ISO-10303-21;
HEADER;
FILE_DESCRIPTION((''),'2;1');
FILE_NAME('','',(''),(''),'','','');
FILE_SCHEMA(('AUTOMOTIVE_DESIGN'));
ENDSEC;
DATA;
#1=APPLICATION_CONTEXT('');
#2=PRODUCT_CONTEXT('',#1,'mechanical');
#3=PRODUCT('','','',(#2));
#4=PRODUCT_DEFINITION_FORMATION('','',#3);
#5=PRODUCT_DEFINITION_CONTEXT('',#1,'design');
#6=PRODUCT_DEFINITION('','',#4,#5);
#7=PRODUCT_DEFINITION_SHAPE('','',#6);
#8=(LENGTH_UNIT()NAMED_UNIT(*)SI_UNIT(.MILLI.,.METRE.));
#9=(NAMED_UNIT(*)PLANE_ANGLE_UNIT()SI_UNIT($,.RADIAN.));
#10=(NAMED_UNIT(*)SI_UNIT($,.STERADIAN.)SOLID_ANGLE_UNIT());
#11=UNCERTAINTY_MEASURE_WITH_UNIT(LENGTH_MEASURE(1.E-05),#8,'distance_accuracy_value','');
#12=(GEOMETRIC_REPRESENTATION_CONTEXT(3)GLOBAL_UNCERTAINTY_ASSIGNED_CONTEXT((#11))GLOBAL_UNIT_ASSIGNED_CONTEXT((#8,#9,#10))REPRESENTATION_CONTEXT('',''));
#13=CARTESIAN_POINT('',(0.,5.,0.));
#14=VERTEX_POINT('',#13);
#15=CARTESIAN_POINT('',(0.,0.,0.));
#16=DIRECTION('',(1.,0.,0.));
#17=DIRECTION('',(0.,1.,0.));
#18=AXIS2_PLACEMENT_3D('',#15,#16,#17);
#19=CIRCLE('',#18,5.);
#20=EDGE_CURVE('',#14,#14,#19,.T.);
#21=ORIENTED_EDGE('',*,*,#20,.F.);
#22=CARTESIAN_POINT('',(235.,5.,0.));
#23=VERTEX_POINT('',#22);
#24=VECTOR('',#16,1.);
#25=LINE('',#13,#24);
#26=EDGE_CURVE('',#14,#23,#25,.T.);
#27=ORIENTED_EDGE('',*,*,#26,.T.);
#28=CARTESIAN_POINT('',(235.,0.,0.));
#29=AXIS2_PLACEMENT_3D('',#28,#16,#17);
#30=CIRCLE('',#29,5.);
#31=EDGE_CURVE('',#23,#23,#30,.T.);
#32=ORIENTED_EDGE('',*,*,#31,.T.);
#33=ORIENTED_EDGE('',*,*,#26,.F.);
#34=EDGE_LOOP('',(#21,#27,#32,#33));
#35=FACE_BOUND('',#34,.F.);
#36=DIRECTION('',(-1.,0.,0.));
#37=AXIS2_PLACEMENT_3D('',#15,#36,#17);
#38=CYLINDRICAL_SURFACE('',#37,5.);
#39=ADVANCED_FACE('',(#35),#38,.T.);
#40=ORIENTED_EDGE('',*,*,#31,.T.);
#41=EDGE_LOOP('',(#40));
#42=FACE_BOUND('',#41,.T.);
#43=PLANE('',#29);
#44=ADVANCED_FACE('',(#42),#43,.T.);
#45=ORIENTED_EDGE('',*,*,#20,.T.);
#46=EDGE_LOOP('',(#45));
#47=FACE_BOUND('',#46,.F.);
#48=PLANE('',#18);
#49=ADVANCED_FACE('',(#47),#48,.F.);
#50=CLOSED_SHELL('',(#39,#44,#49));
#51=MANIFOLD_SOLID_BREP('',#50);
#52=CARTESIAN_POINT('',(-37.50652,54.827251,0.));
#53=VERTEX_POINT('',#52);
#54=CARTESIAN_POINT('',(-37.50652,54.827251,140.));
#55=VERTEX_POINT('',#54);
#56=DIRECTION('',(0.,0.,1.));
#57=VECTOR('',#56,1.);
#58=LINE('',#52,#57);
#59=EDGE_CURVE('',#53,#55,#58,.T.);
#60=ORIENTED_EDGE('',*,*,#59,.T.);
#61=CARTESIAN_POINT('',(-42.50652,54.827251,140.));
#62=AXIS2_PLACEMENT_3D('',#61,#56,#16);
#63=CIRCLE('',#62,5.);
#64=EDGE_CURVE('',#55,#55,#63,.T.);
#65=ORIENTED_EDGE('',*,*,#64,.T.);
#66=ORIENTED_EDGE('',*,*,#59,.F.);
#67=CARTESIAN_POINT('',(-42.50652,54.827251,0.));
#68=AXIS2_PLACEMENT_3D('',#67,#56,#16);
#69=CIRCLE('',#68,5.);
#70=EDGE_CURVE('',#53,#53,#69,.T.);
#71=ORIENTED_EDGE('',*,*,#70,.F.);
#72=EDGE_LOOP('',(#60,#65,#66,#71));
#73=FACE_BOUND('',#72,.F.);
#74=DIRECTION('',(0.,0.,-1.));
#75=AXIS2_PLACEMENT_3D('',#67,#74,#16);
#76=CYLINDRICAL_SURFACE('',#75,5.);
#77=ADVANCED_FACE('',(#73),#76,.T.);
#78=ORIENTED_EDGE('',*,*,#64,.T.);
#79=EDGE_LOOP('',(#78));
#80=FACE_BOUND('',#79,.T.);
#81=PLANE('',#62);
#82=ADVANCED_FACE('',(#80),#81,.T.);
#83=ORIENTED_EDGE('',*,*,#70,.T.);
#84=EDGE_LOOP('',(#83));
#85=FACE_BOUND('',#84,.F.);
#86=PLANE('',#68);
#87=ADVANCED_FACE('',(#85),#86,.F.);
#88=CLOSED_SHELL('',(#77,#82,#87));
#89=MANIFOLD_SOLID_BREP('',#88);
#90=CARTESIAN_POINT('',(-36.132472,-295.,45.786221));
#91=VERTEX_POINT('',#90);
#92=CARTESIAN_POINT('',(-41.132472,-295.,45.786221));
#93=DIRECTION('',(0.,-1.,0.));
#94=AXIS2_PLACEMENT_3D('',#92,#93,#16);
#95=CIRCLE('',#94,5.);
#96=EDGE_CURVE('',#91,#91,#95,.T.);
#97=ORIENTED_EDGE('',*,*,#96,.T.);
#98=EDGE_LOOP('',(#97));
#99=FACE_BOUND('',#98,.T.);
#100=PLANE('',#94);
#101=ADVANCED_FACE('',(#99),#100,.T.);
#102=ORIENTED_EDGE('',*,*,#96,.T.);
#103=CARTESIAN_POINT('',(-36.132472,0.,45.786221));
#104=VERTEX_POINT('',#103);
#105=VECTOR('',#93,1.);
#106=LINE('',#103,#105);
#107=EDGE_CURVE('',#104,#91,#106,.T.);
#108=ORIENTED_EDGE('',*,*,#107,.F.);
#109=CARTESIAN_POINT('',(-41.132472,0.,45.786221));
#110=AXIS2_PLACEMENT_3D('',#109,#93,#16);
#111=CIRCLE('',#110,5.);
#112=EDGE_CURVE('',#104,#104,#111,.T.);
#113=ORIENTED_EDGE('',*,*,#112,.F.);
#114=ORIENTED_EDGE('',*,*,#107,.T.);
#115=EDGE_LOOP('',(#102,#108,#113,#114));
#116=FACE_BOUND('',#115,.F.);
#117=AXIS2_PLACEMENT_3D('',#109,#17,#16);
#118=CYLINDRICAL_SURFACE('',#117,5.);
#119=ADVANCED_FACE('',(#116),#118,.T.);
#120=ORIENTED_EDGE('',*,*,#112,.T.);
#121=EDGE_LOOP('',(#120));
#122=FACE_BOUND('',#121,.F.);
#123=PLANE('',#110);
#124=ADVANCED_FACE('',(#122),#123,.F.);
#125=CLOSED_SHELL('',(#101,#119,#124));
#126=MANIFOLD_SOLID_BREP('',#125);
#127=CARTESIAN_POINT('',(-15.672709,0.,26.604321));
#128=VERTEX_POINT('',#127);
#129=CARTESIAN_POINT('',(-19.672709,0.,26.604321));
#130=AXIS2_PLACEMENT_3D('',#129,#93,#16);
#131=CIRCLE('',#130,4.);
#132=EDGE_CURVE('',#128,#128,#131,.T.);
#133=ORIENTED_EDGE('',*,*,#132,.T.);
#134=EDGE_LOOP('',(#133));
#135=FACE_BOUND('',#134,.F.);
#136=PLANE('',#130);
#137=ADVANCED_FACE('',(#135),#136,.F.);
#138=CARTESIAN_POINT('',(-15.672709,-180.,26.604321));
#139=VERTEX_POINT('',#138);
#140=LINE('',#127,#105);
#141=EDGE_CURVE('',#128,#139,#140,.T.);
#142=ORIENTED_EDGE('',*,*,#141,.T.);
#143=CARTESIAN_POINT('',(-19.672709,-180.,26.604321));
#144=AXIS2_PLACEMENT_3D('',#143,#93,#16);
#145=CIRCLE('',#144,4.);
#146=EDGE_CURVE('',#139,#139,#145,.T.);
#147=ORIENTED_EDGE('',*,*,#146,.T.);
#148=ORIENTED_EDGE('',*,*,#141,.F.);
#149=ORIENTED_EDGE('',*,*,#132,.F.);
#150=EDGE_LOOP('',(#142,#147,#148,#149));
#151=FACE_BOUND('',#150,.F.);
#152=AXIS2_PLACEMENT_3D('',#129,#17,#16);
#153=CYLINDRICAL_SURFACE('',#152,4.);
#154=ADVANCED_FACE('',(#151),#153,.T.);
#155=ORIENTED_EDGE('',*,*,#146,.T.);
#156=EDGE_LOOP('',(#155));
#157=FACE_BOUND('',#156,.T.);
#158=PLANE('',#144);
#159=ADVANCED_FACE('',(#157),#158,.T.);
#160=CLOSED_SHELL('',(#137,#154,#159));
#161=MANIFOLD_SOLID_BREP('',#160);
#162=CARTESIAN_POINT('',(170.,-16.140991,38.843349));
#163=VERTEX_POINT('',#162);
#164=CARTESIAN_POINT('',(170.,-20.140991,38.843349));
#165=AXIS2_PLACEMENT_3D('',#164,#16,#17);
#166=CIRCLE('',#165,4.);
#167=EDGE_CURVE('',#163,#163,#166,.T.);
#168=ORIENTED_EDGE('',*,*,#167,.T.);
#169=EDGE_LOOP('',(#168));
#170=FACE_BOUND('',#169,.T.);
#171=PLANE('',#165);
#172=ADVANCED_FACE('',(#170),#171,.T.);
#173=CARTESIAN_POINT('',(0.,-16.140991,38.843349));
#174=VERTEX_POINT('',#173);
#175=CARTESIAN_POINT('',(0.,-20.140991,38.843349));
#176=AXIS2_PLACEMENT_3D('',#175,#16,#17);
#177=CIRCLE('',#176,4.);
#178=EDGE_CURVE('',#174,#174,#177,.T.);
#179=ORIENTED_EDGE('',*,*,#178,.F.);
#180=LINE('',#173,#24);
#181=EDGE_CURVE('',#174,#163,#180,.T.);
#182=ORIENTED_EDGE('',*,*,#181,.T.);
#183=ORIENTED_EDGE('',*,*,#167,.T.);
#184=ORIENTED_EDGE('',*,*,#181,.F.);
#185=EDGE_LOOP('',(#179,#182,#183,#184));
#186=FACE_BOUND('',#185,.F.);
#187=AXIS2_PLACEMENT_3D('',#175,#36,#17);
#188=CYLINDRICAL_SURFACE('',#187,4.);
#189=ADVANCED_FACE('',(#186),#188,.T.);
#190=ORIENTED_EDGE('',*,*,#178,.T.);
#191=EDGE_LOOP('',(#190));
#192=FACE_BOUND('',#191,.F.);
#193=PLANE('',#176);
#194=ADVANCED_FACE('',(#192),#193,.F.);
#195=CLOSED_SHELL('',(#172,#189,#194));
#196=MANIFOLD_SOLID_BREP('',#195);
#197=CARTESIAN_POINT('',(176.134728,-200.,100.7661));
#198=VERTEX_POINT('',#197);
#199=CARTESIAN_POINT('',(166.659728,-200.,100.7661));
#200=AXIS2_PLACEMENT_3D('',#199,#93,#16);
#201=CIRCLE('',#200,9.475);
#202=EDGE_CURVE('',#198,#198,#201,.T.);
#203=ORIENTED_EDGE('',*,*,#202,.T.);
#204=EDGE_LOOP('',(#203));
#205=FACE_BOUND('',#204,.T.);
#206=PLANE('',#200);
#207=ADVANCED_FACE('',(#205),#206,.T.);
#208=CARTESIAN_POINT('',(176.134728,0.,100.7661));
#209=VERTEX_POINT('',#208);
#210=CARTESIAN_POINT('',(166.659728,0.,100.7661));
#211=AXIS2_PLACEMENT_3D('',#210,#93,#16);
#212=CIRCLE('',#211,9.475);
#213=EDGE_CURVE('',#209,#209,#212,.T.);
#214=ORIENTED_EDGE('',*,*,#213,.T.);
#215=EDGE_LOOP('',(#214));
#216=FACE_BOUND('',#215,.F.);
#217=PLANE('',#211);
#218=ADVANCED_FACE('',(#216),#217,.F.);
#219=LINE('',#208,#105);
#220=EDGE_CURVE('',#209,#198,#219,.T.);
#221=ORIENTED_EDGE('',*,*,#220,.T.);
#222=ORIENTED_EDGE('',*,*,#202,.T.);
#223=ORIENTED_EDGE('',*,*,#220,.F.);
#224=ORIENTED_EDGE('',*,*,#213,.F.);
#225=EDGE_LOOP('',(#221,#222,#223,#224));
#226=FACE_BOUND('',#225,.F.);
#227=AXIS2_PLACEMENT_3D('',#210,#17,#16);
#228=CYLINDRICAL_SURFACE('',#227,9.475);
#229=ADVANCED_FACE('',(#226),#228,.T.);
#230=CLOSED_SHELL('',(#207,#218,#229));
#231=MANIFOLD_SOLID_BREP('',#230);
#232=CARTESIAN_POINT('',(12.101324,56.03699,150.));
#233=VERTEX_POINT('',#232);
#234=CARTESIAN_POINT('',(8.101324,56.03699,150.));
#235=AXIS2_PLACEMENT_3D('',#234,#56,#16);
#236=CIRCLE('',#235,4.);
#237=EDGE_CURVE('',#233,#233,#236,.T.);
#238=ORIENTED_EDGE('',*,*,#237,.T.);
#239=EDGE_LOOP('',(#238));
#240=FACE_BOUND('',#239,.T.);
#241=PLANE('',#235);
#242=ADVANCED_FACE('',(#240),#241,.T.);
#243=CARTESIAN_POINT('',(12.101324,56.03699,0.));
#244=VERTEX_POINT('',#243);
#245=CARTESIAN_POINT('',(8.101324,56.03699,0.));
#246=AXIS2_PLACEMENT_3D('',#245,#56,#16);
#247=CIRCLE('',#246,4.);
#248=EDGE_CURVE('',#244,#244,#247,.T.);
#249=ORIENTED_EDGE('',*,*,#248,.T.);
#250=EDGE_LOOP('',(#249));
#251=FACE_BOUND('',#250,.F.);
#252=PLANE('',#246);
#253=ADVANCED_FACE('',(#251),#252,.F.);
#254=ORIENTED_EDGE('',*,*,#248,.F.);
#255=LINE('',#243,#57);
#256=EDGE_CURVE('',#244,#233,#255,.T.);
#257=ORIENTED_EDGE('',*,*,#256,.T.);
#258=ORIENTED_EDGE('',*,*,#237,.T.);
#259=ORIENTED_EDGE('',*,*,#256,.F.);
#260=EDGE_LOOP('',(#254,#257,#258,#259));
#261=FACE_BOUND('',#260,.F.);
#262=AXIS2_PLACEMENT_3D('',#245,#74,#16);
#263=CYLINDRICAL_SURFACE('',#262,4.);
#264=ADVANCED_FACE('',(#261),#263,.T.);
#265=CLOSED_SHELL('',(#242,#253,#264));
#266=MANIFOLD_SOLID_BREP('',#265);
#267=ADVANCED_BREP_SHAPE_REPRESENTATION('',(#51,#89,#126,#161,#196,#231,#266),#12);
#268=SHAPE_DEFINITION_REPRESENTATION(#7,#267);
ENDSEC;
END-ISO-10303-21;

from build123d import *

# Parameters (mm, degrees)
F0_R      = 5
F1_DEPTH  = 235
F2_R      = 5
F3_DEPTH  = 295
F4_R      = 5
F5_DEPTH  = 140
F7_R      = 9.475
F8_DEPTH  = 200
F0_R_2    = 4
F10_DEPTH = 170
F2_R_2    = 4
F11_DEPTH = 180
F4_R_2    = 4
F12_DEPTH = 150


with BuildPart() as f1:
    # F0 (on Right) → F1 (new body)
    with BuildSketch(Plane.YZ):
        Circle(F0_R)
    extrude(amount=F1_DEPTH)


with BuildPart() as f3:
    # F2 (on Front) → F3 (new body)
    with BuildSketch(Plane.XZ):
        with Locations((-41.132472, 45.786221)):
            Circle(F2_R)
    extrude(amount=F3_DEPTH)


with BuildPart() as f5:
    # F4 (on Top) → F5 (new body)
    with BuildSketch(Plane.XY):
        with Locations((-42.50652, 54.827251)):
            Circle(F4_R)
    extrude(amount=F5_DEPTH)


with BuildPart() as f6_1:
    # F6: copy of F1
    add(f1.part)


with BuildPart() as f8:
    # F7 (on Front) → F8 (new body)
    with BuildSketch(Plane.XZ):
        with Locations((166.659728, 100.7661)):
            Circle(F7_R)
    extrude(amount=F8_DEPTH)


with BuildPart() as f10:
    # F0 (on Right) → F10 (new body)
    with BuildSketch(Plane.YZ):
        with Locations((-20.140991, 38.843349)):
            Circle(F0_R_2)
    extrude(amount=F10_DEPTH)


with BuildPart() as f11:
    # F2 (on Front) → F11 (new body)
    with BuildSketch(Plane.XZ):
        with Locations((-19.672709, 26.604321)):
            Circle(F2_R_2)
    extrude(amount=F11_DEPTH)


with BuildPart() as f12:
    # F4 (on Top) → F12 (new body)
    with BuildSketch(Plane.XY):
        with Locations((8.101324, 56.03699)):
            Circle(F4_R_2)
    extrude(amount=F12_DEPTH)


solid = Compound([f1.part, f3.part, f5.part, f8.part, f10.part, f11.part, f12.part])
